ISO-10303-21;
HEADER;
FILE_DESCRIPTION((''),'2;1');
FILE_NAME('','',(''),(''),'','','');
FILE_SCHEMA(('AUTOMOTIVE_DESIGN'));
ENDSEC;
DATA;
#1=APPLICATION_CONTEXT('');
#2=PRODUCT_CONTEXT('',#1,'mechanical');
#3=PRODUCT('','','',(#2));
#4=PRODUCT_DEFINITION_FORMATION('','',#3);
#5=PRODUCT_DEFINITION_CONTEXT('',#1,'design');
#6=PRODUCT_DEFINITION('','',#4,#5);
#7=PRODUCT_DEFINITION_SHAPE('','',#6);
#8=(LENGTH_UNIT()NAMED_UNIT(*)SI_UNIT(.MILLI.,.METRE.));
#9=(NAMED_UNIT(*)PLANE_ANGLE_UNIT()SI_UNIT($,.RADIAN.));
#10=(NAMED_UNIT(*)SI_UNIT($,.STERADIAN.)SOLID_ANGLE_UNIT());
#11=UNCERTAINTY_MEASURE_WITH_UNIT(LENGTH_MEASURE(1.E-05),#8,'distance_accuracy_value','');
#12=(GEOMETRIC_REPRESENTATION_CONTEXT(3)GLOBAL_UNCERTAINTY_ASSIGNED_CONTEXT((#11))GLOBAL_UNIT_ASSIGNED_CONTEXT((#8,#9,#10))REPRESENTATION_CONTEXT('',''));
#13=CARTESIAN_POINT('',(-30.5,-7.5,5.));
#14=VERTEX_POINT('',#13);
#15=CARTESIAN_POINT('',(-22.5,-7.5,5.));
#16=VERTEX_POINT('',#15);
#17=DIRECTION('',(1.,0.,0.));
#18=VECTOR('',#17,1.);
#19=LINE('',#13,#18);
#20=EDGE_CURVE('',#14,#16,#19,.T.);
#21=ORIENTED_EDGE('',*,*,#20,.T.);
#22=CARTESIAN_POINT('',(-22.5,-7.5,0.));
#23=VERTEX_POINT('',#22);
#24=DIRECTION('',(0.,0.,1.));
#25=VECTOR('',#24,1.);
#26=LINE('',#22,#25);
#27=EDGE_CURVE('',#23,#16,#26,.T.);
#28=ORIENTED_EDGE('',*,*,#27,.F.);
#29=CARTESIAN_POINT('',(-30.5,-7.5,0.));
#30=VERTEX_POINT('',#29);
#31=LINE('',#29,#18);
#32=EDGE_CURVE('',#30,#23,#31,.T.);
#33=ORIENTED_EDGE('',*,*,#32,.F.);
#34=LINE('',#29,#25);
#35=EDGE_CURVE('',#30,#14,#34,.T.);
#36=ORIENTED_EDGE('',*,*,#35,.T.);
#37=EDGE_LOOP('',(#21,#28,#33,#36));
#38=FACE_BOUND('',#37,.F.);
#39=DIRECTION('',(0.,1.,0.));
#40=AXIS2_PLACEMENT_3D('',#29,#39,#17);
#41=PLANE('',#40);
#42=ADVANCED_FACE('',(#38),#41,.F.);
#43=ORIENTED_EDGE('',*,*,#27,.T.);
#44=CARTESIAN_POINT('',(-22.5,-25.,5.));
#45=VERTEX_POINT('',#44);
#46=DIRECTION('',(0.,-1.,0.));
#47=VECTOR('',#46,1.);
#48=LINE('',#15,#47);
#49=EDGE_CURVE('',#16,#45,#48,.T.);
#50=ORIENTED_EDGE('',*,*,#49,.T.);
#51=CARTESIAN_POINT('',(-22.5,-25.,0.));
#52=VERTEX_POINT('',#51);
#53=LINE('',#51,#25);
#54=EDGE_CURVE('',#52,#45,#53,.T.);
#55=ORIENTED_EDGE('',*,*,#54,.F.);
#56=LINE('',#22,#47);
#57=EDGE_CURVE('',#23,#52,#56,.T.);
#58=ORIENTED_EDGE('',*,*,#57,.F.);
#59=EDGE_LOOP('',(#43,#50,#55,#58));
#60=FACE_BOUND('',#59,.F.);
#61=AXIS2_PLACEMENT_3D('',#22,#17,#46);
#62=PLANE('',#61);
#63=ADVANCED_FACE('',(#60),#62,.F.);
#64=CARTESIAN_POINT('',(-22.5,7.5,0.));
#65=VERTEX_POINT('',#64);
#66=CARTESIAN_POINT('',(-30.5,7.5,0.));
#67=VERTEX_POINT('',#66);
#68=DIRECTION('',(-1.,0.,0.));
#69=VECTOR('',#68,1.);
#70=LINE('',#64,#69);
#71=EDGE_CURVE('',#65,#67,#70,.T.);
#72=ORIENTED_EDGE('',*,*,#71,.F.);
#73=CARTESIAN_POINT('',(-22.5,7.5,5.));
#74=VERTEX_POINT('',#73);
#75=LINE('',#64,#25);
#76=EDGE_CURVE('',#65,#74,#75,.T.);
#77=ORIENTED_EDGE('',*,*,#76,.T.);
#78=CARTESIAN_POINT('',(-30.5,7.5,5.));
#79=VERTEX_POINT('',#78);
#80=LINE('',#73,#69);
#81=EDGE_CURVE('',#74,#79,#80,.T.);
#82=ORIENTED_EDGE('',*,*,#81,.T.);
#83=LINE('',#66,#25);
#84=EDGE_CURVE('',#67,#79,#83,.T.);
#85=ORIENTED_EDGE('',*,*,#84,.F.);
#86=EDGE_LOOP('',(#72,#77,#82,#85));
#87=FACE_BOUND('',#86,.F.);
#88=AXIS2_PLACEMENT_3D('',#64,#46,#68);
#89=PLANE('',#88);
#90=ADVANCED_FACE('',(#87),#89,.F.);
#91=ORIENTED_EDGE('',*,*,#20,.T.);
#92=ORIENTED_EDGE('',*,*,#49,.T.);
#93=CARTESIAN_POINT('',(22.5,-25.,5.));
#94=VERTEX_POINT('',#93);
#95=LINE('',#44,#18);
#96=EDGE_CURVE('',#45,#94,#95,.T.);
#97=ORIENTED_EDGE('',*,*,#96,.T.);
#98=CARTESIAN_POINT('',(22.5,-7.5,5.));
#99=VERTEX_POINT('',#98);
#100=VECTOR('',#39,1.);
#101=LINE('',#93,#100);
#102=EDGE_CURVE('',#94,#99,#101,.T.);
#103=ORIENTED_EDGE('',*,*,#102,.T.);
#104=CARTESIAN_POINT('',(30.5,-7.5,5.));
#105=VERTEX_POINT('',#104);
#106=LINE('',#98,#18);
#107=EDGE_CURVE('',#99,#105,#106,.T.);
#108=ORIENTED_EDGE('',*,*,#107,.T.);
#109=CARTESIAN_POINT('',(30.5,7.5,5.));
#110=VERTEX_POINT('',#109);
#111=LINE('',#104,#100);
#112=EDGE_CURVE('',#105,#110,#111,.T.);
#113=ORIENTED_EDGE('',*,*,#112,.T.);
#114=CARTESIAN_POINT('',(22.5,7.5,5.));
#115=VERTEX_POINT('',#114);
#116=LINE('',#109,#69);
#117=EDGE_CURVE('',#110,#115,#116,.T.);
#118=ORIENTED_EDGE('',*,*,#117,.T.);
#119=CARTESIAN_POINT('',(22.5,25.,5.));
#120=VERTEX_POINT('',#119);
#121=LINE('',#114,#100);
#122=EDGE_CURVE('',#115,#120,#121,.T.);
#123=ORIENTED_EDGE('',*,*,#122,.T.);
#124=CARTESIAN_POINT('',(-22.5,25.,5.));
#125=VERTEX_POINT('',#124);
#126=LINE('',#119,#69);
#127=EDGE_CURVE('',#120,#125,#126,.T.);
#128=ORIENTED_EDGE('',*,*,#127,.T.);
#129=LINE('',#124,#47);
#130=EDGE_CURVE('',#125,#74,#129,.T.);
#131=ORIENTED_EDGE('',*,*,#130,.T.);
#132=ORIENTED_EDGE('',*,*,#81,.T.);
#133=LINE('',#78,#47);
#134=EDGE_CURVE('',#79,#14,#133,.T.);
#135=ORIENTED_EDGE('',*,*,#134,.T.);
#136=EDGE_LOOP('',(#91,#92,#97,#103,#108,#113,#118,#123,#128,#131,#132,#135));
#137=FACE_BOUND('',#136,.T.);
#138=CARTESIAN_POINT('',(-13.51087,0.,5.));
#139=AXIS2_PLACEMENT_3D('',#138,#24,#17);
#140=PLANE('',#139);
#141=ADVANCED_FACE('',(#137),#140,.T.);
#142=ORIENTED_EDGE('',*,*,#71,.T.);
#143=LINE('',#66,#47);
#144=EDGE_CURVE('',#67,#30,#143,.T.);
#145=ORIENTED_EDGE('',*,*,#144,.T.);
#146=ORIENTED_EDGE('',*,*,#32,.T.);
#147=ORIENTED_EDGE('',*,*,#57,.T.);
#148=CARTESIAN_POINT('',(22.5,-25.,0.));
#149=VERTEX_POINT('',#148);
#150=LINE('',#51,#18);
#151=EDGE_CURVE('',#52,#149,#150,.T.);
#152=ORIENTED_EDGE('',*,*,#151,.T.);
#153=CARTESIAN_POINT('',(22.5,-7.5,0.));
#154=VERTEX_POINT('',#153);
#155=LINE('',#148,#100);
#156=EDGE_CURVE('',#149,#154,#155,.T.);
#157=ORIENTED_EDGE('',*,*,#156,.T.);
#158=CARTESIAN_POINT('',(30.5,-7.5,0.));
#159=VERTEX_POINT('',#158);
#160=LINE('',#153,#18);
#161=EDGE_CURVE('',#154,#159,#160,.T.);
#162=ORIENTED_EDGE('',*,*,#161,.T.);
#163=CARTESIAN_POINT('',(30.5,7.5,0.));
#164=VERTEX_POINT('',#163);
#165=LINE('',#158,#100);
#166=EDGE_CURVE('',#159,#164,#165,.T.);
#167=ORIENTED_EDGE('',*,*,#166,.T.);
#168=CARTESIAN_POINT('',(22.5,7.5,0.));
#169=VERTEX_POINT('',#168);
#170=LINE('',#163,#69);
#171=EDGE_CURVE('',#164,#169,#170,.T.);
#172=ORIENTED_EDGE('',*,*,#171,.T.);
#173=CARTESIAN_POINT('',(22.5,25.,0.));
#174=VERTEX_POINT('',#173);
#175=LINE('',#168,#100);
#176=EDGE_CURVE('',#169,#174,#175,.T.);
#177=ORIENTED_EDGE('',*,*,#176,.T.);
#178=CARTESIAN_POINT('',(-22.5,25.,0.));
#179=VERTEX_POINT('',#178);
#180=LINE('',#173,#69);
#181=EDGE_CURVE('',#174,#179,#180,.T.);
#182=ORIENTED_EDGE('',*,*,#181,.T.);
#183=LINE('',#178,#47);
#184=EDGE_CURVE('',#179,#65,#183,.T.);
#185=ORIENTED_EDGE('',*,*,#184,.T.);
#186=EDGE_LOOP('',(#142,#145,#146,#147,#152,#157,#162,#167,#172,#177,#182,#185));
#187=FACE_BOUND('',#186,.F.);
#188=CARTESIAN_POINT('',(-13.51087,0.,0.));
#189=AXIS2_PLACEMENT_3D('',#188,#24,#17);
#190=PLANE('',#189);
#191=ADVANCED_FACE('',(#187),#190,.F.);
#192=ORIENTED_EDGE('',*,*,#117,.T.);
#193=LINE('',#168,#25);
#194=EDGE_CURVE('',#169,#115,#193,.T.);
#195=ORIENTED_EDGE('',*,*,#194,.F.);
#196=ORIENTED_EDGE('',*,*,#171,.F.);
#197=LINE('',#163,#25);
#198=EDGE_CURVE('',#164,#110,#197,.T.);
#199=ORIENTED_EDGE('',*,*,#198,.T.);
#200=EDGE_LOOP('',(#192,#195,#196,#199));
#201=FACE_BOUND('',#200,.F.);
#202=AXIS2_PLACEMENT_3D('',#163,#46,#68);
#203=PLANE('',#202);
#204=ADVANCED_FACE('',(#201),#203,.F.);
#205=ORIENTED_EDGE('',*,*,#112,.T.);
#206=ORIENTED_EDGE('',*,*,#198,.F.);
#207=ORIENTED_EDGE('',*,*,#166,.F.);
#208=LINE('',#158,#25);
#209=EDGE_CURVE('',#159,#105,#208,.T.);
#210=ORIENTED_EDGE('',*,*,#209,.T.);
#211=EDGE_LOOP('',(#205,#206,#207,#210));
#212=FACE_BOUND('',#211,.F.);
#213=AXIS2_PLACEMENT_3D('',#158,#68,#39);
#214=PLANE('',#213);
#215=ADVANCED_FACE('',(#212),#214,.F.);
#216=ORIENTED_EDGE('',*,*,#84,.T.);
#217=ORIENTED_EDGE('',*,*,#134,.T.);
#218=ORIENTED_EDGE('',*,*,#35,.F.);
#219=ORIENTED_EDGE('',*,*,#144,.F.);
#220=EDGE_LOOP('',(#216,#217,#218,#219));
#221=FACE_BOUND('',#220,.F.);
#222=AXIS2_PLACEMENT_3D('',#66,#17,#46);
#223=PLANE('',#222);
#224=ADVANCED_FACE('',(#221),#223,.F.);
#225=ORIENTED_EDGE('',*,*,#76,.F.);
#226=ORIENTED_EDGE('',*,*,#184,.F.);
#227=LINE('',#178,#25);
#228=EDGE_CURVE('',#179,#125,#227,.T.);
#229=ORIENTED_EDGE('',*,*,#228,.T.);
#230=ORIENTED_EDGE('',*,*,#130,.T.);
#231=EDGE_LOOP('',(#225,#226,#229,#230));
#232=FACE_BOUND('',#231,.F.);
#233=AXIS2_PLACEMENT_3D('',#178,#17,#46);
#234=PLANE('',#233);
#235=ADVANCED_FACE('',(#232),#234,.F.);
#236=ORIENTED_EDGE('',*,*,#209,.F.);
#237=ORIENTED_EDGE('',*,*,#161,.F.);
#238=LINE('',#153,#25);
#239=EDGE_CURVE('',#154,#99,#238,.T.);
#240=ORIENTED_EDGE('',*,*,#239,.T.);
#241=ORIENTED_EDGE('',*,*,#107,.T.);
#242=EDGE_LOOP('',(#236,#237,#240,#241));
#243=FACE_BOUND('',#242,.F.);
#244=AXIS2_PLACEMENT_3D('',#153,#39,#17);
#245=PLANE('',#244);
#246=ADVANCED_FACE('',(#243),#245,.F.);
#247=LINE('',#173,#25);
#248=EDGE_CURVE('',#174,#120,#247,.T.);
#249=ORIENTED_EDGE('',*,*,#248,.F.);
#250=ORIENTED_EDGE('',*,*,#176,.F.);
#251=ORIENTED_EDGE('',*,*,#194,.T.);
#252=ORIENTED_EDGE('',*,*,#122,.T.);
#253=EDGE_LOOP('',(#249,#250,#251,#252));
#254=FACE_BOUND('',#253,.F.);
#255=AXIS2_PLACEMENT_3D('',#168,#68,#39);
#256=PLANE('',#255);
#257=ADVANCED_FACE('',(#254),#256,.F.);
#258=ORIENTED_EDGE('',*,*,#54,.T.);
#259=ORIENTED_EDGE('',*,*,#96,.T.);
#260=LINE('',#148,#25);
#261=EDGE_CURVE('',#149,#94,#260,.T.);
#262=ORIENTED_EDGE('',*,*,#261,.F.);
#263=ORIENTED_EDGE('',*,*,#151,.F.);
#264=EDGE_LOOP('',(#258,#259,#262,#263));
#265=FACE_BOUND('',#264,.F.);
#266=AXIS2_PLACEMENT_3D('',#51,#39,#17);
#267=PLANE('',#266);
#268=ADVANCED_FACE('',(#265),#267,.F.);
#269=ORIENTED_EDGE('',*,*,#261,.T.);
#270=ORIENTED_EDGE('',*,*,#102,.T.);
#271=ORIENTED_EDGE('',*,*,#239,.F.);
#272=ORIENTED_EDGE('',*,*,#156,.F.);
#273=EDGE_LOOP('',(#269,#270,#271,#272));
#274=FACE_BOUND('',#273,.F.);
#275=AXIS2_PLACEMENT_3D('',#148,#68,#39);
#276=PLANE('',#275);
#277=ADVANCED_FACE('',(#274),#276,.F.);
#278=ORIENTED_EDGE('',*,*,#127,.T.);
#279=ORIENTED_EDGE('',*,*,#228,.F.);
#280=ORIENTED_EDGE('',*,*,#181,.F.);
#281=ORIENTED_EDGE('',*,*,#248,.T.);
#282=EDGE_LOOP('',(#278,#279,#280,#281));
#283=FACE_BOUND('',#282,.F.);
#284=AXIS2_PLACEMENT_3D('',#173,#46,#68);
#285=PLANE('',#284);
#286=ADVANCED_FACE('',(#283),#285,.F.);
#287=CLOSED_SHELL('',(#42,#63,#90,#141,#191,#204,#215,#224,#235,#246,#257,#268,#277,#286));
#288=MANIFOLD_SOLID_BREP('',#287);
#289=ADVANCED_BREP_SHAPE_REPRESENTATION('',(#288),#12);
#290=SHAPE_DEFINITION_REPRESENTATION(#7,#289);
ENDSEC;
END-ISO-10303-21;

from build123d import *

# Parameters (mm, degrees)
F1_DEPTH = 5


with BuildPart() as f1:
    # F0 (on Top) → F1 (new body)
    with BuildSketch(Plane.XY):
        Polygon((-22.5, 7.5), (-30.5, 7.5), (-30.5, -7.5), (-22.5, -7.5), (-22.5, -25), (0, -25), (0, 25), (-22.5, 25), align=None)
        Polygon((22.5, 25), (0, 25), (0, -25), (22.5, -25), (22.5, -7.5), (30.5, -7.5), (30.5, 7.5), (22.5, 7.5), align=None)
    extrude(amount=F1_DEPTH)


solid = f1.part
